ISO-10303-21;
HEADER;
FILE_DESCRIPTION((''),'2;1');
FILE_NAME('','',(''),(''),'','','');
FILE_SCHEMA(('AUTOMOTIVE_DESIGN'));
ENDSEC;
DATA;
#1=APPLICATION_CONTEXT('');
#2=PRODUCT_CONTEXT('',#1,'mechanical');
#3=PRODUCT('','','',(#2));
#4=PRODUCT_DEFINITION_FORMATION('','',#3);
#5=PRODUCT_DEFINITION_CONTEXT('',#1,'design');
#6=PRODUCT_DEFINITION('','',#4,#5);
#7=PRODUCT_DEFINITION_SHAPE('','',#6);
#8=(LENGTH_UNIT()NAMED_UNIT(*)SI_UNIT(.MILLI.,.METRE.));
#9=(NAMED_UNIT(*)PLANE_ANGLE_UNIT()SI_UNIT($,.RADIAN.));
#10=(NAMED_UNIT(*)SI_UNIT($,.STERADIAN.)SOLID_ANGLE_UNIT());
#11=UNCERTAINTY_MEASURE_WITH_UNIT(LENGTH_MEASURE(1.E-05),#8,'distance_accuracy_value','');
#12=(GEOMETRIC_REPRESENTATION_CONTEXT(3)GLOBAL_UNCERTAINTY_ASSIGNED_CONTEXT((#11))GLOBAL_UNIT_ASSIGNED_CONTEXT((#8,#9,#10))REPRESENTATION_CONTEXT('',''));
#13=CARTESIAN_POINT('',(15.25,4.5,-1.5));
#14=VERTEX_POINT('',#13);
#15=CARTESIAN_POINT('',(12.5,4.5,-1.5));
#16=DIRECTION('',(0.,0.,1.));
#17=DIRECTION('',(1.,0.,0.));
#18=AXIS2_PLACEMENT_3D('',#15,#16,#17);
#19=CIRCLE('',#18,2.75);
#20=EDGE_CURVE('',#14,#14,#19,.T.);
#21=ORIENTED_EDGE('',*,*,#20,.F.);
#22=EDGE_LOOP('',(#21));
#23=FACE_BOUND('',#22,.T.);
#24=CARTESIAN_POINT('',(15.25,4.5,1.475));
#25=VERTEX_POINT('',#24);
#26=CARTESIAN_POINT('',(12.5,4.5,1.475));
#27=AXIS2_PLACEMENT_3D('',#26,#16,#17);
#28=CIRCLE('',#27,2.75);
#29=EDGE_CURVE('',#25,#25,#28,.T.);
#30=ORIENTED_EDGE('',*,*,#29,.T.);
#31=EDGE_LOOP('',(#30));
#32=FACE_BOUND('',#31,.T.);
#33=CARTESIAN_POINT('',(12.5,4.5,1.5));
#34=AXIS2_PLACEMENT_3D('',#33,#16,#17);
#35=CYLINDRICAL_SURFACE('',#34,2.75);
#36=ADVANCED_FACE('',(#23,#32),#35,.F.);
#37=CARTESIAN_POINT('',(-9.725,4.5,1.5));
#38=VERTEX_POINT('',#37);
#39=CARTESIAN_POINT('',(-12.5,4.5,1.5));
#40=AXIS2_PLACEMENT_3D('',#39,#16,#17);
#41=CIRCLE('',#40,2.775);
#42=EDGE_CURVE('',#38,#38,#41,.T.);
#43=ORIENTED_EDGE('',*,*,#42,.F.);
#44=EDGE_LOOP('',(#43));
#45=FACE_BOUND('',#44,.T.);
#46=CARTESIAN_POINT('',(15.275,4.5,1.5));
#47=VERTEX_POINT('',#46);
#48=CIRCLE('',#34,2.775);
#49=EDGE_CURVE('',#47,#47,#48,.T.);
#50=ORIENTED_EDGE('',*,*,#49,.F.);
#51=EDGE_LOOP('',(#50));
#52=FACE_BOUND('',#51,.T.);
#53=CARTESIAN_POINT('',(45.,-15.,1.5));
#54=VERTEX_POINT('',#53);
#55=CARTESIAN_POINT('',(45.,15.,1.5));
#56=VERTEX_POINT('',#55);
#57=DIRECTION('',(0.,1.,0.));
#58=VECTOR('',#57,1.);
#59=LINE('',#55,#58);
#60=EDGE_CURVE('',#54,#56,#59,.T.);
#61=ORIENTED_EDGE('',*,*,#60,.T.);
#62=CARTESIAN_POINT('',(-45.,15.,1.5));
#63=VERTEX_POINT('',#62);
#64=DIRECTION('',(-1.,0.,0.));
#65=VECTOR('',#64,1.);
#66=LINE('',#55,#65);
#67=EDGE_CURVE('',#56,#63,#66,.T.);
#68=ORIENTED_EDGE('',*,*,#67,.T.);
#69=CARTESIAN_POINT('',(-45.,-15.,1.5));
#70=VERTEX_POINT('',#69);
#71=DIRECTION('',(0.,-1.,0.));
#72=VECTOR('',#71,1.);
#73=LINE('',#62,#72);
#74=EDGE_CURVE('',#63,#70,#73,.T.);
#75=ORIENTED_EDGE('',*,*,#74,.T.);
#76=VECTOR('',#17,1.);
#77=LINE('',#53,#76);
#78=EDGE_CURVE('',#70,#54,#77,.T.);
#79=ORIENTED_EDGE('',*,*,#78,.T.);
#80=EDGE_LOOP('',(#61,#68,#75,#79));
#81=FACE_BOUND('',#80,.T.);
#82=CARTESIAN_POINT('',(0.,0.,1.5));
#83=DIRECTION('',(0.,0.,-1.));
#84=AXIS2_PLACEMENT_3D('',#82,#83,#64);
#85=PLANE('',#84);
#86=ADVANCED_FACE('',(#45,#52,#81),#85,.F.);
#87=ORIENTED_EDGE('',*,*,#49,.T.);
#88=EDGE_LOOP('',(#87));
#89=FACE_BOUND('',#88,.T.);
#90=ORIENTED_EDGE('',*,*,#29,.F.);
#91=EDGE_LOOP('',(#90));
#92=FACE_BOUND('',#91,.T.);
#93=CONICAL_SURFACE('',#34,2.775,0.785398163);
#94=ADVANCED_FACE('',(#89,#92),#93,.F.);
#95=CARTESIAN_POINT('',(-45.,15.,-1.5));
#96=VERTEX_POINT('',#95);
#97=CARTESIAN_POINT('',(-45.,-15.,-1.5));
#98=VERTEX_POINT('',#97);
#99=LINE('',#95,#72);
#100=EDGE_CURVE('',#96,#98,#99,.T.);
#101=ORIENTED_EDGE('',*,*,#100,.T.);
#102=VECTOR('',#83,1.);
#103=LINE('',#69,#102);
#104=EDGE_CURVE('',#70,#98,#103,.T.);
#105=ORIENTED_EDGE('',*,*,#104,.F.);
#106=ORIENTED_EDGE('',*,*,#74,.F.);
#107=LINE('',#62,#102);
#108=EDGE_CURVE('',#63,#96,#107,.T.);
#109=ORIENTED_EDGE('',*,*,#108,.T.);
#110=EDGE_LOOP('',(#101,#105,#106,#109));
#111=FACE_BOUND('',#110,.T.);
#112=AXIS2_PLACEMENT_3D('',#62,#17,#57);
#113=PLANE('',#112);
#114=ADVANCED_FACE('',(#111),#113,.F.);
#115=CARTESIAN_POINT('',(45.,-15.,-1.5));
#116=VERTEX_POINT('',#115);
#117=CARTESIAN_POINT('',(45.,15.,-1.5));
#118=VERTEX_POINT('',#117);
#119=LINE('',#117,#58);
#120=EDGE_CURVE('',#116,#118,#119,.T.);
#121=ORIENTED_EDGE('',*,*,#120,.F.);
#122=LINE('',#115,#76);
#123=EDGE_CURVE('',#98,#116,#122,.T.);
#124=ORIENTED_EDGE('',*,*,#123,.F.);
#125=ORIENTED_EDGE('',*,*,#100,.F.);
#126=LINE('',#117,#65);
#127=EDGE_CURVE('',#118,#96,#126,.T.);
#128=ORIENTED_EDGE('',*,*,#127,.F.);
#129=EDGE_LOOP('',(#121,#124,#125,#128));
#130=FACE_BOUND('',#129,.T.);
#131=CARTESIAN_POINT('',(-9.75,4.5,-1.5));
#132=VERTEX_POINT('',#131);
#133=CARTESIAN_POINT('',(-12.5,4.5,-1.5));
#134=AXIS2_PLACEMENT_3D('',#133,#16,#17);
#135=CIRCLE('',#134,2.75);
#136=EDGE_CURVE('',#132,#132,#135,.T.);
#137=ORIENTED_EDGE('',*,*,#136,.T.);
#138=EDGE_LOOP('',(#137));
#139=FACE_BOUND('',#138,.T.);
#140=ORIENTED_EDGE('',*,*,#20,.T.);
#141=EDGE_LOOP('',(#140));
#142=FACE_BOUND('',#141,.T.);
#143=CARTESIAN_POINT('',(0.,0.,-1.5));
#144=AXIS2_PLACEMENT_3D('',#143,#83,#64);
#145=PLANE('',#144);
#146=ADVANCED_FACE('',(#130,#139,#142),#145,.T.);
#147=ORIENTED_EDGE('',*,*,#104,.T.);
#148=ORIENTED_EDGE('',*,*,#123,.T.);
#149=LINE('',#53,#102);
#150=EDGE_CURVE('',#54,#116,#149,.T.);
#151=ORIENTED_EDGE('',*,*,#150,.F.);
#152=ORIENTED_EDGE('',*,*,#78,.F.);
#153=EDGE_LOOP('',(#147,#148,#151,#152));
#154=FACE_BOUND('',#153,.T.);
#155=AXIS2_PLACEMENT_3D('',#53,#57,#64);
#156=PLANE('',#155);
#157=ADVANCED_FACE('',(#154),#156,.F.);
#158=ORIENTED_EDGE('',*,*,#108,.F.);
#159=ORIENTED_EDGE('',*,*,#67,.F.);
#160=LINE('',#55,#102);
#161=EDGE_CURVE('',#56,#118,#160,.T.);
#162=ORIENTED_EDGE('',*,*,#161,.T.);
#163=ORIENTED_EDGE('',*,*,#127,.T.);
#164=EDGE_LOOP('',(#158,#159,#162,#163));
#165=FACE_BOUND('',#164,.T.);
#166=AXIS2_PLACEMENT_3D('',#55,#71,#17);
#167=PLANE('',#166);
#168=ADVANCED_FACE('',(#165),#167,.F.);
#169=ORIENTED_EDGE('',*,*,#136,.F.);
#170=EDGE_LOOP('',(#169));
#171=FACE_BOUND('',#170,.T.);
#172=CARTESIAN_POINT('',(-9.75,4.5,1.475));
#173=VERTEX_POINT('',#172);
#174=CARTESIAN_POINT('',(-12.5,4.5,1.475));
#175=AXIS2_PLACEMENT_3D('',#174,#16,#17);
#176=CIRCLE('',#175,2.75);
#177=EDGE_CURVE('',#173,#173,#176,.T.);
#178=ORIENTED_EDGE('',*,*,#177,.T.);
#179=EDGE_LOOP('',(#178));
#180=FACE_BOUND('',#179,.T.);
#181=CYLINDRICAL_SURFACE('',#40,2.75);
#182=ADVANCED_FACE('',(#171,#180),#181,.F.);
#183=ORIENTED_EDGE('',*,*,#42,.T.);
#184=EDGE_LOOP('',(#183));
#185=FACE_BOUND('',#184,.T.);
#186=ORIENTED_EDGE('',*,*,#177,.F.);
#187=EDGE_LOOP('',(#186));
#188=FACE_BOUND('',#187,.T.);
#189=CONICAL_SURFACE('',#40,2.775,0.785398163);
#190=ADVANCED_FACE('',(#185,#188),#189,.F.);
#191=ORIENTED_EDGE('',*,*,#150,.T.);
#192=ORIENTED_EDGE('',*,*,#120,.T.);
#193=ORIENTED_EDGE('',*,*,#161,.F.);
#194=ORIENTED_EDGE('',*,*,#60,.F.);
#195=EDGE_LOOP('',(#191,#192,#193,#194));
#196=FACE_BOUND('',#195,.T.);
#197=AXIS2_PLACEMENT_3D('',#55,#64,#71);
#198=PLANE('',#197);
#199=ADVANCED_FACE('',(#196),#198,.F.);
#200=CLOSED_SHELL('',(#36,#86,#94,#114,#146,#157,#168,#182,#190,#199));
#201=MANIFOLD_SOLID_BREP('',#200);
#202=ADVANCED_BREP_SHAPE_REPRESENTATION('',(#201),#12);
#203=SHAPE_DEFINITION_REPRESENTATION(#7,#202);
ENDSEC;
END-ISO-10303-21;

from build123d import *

# Parameters (mm, degrees)
SKETCH1_W                      = 90
SKETCH1_H                      = 30
BOSS_EXTRUDE1_DEPTH            = 1.5
M5_CLEARANCE_HOLE1_D           = 5.5
M5_CLEARANCE_HOLE1_CSINK_D     = 5.55
M5_CLEARANCE_HOLE1_CSINK_ANGLE = 90


with BuildPart() as part:
    # Sketch1 → Boss-Extrude1 (new, symmetric)
    with BuildSketch(Plane.XY):
        Rectangle(SKETCH1_W, SKETCH1_H)
    extrude(amount=BOSS_EXTRUDE1_DEPTH, both=True)

    # M5 Clearance Hole1 (through all)
    with Locations(Plane.XY.offset(1.5)):
        with Locations((12.5, 4.5), (-12.5, 4.5)):
            CounterSinkHole(M5_CLEARANCE_HOLE1_D / 2, M5_CLEARANCE_HOLE1_CSINK_D / 2, counter_sink_angle=M5_CLEARANCE_HOLE1_CSINK_ANGLE)


solid = part.part
